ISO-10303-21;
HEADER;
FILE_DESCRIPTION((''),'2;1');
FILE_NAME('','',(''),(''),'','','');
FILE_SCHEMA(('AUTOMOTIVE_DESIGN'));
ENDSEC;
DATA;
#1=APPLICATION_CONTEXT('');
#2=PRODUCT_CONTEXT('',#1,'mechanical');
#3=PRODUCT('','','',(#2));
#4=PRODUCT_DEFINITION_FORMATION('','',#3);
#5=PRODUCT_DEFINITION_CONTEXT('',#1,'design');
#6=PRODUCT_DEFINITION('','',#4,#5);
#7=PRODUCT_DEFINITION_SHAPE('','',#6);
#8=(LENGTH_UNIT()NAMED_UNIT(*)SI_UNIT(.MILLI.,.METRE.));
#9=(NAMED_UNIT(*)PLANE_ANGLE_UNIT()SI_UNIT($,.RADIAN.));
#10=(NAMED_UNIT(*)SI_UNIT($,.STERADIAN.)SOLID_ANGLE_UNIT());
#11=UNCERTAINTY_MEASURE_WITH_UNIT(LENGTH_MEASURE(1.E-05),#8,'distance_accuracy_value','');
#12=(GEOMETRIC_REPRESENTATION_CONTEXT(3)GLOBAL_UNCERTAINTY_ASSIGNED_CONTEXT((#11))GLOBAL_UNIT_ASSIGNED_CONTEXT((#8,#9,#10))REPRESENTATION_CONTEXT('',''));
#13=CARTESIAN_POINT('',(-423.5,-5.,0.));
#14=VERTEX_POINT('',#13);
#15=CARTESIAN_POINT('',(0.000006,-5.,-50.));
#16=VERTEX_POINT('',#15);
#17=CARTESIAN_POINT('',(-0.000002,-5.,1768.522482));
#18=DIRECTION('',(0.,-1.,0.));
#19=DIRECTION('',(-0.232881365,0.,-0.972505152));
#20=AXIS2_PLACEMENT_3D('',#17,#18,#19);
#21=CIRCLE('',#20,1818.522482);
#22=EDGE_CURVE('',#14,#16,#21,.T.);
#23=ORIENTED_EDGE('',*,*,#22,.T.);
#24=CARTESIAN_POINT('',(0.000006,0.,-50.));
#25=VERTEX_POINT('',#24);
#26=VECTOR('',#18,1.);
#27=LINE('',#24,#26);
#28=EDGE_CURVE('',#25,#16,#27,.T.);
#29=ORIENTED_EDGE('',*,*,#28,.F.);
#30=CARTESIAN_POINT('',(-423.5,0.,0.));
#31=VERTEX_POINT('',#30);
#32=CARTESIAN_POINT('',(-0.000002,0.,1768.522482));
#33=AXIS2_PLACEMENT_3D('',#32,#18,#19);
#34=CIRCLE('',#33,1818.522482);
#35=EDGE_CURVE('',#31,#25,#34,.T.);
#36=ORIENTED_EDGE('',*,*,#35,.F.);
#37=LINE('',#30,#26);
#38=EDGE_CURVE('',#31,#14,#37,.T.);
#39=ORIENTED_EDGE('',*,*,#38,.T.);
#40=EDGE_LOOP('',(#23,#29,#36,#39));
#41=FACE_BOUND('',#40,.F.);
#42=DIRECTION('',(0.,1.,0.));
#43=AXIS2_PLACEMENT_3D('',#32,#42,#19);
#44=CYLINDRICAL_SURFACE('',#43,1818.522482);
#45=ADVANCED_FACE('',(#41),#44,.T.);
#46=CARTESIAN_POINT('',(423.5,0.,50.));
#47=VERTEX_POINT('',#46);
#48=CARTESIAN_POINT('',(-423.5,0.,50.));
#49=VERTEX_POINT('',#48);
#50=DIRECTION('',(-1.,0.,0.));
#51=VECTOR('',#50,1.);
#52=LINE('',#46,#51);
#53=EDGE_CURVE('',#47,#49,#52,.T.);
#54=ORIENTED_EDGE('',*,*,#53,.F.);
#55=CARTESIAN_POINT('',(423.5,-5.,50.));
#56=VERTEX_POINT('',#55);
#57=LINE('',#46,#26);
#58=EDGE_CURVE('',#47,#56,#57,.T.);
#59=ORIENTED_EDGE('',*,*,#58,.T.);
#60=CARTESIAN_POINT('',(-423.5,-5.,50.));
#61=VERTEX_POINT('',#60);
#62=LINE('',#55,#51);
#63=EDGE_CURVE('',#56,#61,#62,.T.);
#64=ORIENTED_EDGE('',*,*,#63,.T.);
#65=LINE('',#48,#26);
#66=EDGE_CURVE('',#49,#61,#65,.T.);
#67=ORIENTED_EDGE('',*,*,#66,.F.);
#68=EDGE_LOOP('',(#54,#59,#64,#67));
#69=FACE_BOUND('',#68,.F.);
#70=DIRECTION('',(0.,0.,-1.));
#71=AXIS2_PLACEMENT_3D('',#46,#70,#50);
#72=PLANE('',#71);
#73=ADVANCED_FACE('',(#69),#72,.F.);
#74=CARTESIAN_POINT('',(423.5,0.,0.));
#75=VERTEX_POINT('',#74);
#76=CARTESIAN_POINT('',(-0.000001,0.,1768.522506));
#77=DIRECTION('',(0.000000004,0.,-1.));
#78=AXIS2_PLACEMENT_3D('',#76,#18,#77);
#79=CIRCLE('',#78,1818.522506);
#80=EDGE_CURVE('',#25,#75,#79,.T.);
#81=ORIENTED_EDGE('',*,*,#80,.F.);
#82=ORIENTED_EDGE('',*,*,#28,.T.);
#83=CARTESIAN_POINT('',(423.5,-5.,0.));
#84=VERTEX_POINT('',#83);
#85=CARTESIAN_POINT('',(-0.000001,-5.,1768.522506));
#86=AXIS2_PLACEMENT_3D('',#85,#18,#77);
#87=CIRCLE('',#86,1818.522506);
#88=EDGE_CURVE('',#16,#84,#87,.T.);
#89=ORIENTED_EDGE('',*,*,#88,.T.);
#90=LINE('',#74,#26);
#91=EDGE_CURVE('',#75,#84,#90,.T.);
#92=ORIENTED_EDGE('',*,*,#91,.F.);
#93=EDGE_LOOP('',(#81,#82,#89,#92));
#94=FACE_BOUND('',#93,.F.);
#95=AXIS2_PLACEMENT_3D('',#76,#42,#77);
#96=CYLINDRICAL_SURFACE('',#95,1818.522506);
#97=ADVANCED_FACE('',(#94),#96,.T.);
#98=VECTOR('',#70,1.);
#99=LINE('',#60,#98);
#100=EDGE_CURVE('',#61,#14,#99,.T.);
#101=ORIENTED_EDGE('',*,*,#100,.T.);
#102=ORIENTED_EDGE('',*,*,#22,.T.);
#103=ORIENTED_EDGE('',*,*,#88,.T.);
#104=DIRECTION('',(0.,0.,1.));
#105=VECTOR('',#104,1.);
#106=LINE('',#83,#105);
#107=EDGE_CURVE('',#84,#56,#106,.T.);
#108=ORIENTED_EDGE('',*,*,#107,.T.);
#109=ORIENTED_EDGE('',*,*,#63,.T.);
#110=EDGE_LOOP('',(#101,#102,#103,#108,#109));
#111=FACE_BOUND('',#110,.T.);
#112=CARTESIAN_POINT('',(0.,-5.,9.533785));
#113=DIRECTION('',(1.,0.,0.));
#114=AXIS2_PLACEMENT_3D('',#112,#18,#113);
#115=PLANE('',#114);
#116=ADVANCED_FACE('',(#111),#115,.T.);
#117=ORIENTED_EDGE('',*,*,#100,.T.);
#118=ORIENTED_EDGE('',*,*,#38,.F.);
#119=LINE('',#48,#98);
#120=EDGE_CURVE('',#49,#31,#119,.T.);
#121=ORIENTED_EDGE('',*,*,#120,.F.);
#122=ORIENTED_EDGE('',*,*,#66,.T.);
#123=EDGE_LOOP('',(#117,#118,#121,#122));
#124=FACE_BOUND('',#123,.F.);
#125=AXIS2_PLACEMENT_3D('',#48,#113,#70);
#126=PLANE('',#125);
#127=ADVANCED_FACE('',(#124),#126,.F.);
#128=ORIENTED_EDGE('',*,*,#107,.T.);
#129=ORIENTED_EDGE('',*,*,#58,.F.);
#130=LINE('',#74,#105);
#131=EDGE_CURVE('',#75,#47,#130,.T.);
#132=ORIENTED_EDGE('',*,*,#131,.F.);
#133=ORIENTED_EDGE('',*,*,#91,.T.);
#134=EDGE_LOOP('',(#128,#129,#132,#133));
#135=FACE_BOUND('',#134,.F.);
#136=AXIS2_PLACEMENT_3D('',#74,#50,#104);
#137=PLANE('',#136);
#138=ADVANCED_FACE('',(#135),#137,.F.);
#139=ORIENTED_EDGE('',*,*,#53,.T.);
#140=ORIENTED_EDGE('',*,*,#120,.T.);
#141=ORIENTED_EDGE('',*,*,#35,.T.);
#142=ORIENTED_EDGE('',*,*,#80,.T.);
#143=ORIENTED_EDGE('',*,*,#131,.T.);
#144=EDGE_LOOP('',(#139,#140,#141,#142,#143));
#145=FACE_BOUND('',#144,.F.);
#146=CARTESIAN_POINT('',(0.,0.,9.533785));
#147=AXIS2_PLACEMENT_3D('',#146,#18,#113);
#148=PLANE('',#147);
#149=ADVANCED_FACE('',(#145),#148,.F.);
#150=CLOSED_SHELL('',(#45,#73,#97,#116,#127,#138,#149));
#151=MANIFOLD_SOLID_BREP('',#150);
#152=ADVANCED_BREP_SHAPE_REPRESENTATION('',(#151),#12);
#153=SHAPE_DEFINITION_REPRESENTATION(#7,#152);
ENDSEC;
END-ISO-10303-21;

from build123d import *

# Parameters (mm, degrees)
F1_DEPTH = 5


with BuildPart() as f1:
    # F0 (on Front) → F1 (new body)
    with BuildSketch(Plane.XZ):
        with BuildLine():
            ThreePointArc((-423.5, 0), (-213.220686, -37.456742), (6e-06, -50))
            ThreePointArc((6e-06, -50), (213.220693, -37.456741), (423.5, 0))
            Line((423.5, 0), (423.5, 50))
            Line((423.5, 50), (-423.5, 50))
            Line((-423.5, 50), (-423.5, 0))
        make_face()
    extrude(amount=F1_DEPTH)


solid = f1.part
